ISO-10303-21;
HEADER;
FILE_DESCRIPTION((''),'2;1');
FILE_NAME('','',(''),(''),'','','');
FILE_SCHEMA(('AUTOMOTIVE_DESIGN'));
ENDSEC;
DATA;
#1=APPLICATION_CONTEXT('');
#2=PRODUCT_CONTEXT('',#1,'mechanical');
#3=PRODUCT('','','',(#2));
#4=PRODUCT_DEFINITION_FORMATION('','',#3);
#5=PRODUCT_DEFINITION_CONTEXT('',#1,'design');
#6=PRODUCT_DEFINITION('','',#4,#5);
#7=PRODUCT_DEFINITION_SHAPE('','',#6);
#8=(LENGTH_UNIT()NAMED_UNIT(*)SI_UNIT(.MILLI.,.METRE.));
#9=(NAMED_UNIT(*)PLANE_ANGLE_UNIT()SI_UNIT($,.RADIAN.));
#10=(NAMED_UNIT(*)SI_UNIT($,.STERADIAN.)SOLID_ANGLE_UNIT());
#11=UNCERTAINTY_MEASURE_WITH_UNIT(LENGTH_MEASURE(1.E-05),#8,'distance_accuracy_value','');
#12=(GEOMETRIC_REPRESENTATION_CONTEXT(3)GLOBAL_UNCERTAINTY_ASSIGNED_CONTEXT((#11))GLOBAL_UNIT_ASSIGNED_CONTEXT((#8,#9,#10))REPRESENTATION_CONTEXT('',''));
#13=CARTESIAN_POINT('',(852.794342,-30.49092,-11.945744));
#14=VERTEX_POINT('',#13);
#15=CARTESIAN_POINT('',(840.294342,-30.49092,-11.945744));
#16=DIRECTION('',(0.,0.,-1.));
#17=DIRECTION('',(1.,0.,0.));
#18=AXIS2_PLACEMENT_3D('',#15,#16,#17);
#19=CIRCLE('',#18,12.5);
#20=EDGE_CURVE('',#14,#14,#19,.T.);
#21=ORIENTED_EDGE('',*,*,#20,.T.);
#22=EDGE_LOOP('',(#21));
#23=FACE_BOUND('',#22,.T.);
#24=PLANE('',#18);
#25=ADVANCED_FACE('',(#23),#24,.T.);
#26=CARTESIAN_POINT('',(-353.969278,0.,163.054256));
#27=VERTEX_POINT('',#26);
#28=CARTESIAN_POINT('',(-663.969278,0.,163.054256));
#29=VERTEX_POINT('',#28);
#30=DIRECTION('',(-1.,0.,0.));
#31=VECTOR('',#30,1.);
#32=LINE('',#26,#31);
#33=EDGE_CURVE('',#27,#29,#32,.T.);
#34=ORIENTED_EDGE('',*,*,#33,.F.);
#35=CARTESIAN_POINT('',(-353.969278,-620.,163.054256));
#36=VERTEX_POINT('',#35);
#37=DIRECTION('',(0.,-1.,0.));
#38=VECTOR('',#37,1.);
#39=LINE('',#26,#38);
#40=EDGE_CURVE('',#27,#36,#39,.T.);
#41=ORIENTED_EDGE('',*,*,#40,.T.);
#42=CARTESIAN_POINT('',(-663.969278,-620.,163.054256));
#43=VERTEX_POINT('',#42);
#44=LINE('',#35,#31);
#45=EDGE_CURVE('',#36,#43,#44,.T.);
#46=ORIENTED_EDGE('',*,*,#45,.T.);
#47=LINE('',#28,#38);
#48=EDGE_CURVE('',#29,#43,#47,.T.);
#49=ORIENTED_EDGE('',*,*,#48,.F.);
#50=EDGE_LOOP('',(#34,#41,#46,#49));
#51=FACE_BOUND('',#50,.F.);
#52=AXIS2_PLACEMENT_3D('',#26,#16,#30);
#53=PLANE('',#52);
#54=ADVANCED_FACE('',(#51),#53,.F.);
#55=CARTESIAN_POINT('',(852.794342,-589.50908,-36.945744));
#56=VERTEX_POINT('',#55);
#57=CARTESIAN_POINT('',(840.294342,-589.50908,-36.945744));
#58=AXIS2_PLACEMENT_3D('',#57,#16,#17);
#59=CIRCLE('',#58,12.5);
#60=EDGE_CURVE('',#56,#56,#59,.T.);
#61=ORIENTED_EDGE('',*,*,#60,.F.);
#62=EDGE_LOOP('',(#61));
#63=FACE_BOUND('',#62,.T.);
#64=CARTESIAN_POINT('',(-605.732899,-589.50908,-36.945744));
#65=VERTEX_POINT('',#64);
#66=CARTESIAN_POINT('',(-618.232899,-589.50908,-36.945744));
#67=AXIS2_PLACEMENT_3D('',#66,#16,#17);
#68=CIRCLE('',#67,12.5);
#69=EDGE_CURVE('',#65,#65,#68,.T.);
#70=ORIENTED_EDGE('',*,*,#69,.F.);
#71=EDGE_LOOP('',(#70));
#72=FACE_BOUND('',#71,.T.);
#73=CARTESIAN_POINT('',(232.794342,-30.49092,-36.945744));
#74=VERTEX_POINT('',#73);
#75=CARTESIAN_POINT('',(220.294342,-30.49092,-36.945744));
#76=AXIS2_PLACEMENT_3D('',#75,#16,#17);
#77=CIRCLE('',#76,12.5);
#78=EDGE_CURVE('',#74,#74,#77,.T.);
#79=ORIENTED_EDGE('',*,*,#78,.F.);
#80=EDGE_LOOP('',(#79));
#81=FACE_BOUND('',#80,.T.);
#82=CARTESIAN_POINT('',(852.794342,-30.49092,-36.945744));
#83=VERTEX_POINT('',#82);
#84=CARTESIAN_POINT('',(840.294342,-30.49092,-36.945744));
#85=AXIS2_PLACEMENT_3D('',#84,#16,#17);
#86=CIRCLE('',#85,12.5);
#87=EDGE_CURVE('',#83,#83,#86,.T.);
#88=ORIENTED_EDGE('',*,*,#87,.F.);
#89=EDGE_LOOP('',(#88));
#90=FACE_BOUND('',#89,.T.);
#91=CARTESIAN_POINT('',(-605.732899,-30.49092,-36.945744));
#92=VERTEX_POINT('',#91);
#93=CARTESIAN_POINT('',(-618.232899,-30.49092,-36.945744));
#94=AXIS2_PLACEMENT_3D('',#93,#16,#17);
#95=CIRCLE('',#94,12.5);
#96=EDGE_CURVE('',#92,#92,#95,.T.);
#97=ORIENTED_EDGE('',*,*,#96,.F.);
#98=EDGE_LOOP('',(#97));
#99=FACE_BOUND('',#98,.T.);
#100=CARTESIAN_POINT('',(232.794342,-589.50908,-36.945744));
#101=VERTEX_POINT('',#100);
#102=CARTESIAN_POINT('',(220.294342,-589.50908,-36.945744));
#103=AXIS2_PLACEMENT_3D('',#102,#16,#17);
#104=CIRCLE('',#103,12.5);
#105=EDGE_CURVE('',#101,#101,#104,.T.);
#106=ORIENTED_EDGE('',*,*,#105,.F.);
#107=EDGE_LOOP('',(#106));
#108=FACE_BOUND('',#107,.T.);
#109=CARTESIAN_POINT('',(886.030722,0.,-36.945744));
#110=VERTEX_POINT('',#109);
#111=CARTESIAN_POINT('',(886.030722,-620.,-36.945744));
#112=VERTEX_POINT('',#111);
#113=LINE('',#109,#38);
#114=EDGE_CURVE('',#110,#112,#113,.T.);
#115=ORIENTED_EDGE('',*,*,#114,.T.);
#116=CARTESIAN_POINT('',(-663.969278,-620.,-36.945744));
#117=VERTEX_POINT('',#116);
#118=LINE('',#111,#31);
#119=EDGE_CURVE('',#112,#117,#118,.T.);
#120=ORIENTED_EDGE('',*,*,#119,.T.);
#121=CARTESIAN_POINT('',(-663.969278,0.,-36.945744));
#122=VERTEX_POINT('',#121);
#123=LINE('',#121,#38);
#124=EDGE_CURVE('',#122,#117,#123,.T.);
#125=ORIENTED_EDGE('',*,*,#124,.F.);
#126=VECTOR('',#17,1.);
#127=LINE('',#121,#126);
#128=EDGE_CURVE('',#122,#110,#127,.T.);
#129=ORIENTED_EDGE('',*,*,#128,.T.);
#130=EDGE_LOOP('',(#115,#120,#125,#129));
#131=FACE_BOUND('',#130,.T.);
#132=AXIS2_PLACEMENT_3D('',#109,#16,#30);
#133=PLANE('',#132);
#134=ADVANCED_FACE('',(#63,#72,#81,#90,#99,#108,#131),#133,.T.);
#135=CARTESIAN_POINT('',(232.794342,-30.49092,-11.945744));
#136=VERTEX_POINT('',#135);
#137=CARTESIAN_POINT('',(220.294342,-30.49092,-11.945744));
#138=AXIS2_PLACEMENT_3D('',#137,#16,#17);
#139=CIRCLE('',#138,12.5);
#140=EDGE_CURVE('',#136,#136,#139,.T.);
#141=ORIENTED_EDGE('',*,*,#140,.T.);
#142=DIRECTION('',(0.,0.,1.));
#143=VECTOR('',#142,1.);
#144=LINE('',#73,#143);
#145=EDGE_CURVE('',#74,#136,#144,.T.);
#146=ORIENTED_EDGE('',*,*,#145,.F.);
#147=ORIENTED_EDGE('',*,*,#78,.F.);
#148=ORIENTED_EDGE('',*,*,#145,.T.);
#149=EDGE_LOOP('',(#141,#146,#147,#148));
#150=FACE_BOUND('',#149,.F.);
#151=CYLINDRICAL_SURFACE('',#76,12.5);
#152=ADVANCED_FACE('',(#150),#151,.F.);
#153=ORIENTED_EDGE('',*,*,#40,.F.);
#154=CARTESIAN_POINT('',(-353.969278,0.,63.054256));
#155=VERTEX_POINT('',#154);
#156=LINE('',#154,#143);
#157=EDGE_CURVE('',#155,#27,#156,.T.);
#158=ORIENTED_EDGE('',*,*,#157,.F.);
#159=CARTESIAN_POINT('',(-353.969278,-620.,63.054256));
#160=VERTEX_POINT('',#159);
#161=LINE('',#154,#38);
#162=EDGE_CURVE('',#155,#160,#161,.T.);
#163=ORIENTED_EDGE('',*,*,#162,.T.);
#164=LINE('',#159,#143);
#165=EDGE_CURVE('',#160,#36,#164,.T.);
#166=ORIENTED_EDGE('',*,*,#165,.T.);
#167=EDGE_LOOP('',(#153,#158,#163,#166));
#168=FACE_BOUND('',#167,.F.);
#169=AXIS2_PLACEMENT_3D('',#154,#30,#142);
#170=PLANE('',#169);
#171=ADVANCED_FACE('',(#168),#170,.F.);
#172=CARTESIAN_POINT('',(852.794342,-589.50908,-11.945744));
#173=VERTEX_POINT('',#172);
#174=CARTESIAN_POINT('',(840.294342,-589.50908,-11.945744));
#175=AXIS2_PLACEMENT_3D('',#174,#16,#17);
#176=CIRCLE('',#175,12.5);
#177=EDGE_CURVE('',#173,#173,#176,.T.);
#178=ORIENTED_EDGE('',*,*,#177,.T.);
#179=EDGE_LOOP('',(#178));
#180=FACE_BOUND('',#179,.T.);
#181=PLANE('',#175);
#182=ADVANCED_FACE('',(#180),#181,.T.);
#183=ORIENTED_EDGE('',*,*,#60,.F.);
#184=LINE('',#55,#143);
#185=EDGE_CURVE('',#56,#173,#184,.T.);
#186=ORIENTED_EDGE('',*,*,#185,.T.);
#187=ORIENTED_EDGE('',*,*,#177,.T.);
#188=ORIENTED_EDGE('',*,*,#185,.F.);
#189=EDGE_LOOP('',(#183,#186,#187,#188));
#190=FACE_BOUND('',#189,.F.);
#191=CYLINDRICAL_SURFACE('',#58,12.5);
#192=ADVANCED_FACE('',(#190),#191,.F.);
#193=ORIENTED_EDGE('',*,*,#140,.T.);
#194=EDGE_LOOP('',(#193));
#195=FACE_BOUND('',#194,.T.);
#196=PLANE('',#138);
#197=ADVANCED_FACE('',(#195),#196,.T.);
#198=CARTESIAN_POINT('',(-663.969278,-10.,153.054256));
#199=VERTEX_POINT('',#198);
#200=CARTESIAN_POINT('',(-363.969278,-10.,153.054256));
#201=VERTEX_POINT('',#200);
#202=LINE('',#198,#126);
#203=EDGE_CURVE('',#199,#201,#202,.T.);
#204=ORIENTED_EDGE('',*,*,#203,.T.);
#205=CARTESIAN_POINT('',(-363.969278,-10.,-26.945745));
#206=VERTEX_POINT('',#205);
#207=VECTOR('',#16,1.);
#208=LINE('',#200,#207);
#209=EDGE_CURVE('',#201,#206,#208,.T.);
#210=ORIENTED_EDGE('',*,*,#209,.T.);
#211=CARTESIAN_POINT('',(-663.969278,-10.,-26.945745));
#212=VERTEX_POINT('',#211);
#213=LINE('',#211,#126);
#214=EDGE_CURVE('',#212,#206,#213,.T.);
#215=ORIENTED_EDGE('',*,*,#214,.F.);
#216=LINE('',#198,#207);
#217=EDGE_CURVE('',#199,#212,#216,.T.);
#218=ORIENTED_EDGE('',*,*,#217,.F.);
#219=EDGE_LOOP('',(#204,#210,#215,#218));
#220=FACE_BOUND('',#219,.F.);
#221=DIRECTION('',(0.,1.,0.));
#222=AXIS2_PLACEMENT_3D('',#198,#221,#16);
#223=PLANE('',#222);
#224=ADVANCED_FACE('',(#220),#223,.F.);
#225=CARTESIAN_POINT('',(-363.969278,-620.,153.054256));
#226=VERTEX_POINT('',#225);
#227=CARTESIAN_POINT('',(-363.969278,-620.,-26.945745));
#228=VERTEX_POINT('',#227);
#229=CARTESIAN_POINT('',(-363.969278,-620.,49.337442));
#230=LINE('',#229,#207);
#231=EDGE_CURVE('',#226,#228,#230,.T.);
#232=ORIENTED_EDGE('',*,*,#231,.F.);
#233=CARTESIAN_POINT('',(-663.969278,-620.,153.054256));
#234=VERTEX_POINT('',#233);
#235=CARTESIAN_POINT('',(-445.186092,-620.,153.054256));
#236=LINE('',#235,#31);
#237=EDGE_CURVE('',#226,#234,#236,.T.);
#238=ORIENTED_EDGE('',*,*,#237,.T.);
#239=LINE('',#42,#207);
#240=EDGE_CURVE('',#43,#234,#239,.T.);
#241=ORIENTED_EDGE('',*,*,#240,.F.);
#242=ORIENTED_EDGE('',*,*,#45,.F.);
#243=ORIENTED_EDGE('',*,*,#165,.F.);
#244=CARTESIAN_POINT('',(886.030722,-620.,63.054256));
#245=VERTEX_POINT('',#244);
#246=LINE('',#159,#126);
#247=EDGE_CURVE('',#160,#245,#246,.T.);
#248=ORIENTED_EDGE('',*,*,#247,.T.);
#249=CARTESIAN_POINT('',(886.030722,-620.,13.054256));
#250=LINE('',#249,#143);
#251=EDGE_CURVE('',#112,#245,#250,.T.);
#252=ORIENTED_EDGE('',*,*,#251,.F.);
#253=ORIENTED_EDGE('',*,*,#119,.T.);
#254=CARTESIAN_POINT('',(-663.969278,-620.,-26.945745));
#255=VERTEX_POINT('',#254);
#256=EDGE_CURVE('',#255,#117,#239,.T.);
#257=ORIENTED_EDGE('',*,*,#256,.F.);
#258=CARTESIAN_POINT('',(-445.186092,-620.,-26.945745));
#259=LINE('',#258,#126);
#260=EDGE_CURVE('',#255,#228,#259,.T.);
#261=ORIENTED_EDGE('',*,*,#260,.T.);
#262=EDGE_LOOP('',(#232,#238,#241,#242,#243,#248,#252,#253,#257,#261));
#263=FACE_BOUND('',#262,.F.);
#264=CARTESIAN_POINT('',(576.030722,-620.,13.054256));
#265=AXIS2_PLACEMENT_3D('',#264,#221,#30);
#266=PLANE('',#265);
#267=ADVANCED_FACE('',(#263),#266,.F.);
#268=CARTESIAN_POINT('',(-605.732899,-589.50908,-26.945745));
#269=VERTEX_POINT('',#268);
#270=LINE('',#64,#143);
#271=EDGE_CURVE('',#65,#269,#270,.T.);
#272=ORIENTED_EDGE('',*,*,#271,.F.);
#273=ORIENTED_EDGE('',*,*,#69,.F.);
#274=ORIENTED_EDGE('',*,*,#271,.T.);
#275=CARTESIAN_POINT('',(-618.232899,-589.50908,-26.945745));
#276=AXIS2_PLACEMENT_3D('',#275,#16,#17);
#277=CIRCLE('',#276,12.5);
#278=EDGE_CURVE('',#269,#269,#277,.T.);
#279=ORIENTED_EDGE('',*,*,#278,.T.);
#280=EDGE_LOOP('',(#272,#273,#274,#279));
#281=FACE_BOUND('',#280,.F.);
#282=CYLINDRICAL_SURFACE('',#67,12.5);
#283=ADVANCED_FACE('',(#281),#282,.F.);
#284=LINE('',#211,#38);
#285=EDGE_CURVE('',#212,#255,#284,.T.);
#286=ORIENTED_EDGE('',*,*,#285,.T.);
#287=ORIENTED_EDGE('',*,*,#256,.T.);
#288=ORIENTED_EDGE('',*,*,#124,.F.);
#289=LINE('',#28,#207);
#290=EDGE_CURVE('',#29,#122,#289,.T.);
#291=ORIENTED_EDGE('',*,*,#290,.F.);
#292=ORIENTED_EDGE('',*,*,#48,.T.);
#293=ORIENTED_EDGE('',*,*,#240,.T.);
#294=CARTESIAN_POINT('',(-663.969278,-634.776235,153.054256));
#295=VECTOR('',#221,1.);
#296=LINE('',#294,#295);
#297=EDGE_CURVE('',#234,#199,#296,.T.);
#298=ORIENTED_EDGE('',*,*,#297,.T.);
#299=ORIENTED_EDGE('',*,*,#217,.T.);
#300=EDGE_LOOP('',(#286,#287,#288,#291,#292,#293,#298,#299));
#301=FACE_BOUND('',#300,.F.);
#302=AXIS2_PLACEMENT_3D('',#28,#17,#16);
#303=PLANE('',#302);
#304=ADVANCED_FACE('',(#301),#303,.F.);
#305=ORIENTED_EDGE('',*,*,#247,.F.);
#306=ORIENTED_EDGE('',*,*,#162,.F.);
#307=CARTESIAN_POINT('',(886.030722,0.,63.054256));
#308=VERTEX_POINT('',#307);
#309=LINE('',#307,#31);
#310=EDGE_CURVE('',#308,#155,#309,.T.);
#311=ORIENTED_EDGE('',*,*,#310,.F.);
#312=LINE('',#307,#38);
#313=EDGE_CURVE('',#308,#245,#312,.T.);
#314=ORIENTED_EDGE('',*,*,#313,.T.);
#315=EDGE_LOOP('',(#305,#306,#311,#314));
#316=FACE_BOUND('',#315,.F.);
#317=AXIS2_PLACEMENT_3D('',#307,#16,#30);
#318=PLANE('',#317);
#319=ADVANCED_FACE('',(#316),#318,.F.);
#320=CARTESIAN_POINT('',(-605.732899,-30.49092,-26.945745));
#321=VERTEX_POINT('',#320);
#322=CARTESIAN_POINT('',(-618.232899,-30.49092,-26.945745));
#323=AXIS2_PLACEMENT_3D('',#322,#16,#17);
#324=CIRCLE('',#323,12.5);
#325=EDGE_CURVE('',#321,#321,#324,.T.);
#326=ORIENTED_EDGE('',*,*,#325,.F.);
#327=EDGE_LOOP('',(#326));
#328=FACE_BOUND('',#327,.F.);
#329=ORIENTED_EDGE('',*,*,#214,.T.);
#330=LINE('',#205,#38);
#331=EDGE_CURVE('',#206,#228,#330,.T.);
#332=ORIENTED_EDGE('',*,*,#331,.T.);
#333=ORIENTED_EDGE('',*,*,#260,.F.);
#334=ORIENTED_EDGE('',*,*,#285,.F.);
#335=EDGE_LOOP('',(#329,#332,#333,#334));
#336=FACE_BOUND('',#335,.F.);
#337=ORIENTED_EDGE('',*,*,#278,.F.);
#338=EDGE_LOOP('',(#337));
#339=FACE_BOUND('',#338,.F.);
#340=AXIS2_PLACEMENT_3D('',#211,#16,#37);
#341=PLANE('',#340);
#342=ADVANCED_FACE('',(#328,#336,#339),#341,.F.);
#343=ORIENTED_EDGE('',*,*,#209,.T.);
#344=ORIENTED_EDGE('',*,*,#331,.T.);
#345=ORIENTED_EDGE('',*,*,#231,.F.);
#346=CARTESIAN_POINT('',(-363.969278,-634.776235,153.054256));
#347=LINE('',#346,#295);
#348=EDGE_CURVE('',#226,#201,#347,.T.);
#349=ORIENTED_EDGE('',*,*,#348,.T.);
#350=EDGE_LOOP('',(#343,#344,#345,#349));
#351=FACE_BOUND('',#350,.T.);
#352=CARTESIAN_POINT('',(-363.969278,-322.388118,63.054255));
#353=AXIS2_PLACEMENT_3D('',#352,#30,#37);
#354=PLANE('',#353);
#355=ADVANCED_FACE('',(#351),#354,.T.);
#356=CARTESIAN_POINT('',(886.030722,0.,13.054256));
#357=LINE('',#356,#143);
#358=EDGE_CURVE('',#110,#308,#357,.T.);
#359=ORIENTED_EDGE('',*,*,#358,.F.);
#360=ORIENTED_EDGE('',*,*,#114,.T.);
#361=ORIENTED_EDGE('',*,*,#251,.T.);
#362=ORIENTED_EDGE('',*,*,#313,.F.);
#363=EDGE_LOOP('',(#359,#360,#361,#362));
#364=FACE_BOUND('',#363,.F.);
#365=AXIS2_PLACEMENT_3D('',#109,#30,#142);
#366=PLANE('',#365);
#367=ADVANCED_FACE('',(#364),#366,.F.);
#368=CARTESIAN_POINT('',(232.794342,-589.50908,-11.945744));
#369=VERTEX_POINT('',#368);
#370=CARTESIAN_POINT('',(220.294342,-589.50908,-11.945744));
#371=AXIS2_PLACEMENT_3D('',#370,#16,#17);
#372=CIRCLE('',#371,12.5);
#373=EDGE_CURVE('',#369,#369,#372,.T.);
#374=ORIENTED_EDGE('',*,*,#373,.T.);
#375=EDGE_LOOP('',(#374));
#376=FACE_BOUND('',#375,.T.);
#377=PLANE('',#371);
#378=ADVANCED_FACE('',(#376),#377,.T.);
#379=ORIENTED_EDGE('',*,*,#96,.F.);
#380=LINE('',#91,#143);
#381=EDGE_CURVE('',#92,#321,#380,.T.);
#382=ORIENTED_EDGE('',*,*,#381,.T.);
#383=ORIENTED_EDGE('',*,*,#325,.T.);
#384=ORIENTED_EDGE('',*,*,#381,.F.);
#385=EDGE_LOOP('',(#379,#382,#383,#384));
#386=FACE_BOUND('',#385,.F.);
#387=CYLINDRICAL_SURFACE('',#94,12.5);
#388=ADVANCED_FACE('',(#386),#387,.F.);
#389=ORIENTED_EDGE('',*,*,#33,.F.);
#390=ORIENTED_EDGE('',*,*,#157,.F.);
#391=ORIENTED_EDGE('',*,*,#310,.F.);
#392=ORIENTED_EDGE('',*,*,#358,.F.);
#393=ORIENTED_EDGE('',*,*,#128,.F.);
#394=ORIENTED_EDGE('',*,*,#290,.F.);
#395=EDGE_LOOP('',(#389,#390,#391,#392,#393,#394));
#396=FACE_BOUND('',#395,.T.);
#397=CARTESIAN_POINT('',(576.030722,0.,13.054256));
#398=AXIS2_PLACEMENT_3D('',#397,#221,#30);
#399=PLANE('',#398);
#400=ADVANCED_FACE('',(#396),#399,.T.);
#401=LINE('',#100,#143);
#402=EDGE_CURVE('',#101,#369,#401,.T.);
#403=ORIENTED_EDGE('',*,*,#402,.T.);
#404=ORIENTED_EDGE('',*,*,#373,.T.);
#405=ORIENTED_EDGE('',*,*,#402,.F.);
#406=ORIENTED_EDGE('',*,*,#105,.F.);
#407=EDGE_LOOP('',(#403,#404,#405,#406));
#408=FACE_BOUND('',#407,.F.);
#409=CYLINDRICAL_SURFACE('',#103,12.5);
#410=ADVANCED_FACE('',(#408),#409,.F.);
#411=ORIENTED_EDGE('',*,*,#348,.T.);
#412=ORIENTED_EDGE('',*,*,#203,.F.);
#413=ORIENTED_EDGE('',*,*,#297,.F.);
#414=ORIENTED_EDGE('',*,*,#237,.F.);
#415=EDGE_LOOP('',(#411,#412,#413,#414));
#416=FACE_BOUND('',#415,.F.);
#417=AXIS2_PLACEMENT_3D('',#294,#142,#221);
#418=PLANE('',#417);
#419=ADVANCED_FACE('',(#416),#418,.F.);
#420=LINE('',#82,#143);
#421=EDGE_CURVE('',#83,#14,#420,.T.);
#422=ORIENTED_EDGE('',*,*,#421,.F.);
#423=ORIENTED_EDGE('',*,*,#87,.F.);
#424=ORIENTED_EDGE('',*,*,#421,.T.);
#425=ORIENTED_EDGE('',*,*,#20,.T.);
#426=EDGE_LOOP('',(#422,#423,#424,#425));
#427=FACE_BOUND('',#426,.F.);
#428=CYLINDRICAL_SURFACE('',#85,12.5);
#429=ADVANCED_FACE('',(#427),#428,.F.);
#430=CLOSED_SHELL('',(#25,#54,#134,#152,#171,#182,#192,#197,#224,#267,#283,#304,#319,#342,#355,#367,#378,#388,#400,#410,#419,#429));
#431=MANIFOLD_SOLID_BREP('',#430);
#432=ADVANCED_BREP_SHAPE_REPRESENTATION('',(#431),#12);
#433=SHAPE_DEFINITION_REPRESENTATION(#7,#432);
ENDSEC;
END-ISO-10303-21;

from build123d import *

# Parameters (mm, degrees)
F1_DEPTH = 620
F2_R     = 12.5
F3_DEPTH = 25
F5_DEPTH = 300
F6_W     = 620
F6_H     = 100
F7_DEPTH = 620
F8_R     = 12.5
F9_DEPTH = 25


with BuildPart() as f1:
    # F0 (on Front) → F1 (new body)
    with BuildSketch(Plane.XZ):
        Polygon((266.030722, -36.945744), (266.030722, 63.054256), (-353.969278, 63.054256), (-353.969278, 163.054256), (-663.969278, 163.054256), (-663.969278, -36.945744), (-353.969278, -36.945744), align=None)
    extrude(amount=F1_DEPTH)

    # F2 (on face) → F3 (cut)
    with BuildSketch(Plane(origin=(0, 0, -36.945744), x_dir=(1, 0, 0), z_dir=(0, 0, -1))):
        with Locations((-618.232899, 589.50908)):
            Circle(F2_R)
        with Locations((-618.232899, 30.49092)):
            Circle(F2_R)
        with Locations((220.294342, 589.50908)):
            Circle(F2_R)
        with Locations((220.294342, 30.49092)):
            Circle(F2_R)
    extrude(amount=-F3_DEPTH, mode=Mode.SUBTRACT)

    # F4 (on face) → F5 (cut)
    with BuildSketch(Plane(origin=(-663.969278, 0, 0), x_dir=(0, -1, 0), z_dir=(-1, 0, 0))):
        Polygon((634.776235, 153.054256), (610, 153.054256), (10, 153.054256), (10, -26.945745), (610, -26.945745), (634.776235, -26.945745), align=None)
    extrude(amount=-F5_DEPTH, mode=Mode.SUBTRACT)

    # F6 (on face) → F7 (join, through all)
    with BuildSketch(Plane(origin=(0, 0, 0), x_dir=(-1, 0, 0), z_dir=(0, 1, 0))):
        with Locations((-576.030722, 13.054256)):
            Rectangle(F6_W, F6_H)
    extrude(amount=-F7_DEPTH)

    # F8 (on face) → F9 (cut, through all)
    with BuildSketch(Plane(origin=(0, 0, -36.945744), x_dir=(1, 0, 0), z_dir=(0, 0, -1))):
        with Locations((840.294342, 589.50908)):
            Circle(F8_R)
        with Locations((840.294342, 30.49092)):
            Circle(F8_R)
    extrude(amount=-F9_DEPTH, mode=Mode.SUBTRACT)


solid = f1.part
